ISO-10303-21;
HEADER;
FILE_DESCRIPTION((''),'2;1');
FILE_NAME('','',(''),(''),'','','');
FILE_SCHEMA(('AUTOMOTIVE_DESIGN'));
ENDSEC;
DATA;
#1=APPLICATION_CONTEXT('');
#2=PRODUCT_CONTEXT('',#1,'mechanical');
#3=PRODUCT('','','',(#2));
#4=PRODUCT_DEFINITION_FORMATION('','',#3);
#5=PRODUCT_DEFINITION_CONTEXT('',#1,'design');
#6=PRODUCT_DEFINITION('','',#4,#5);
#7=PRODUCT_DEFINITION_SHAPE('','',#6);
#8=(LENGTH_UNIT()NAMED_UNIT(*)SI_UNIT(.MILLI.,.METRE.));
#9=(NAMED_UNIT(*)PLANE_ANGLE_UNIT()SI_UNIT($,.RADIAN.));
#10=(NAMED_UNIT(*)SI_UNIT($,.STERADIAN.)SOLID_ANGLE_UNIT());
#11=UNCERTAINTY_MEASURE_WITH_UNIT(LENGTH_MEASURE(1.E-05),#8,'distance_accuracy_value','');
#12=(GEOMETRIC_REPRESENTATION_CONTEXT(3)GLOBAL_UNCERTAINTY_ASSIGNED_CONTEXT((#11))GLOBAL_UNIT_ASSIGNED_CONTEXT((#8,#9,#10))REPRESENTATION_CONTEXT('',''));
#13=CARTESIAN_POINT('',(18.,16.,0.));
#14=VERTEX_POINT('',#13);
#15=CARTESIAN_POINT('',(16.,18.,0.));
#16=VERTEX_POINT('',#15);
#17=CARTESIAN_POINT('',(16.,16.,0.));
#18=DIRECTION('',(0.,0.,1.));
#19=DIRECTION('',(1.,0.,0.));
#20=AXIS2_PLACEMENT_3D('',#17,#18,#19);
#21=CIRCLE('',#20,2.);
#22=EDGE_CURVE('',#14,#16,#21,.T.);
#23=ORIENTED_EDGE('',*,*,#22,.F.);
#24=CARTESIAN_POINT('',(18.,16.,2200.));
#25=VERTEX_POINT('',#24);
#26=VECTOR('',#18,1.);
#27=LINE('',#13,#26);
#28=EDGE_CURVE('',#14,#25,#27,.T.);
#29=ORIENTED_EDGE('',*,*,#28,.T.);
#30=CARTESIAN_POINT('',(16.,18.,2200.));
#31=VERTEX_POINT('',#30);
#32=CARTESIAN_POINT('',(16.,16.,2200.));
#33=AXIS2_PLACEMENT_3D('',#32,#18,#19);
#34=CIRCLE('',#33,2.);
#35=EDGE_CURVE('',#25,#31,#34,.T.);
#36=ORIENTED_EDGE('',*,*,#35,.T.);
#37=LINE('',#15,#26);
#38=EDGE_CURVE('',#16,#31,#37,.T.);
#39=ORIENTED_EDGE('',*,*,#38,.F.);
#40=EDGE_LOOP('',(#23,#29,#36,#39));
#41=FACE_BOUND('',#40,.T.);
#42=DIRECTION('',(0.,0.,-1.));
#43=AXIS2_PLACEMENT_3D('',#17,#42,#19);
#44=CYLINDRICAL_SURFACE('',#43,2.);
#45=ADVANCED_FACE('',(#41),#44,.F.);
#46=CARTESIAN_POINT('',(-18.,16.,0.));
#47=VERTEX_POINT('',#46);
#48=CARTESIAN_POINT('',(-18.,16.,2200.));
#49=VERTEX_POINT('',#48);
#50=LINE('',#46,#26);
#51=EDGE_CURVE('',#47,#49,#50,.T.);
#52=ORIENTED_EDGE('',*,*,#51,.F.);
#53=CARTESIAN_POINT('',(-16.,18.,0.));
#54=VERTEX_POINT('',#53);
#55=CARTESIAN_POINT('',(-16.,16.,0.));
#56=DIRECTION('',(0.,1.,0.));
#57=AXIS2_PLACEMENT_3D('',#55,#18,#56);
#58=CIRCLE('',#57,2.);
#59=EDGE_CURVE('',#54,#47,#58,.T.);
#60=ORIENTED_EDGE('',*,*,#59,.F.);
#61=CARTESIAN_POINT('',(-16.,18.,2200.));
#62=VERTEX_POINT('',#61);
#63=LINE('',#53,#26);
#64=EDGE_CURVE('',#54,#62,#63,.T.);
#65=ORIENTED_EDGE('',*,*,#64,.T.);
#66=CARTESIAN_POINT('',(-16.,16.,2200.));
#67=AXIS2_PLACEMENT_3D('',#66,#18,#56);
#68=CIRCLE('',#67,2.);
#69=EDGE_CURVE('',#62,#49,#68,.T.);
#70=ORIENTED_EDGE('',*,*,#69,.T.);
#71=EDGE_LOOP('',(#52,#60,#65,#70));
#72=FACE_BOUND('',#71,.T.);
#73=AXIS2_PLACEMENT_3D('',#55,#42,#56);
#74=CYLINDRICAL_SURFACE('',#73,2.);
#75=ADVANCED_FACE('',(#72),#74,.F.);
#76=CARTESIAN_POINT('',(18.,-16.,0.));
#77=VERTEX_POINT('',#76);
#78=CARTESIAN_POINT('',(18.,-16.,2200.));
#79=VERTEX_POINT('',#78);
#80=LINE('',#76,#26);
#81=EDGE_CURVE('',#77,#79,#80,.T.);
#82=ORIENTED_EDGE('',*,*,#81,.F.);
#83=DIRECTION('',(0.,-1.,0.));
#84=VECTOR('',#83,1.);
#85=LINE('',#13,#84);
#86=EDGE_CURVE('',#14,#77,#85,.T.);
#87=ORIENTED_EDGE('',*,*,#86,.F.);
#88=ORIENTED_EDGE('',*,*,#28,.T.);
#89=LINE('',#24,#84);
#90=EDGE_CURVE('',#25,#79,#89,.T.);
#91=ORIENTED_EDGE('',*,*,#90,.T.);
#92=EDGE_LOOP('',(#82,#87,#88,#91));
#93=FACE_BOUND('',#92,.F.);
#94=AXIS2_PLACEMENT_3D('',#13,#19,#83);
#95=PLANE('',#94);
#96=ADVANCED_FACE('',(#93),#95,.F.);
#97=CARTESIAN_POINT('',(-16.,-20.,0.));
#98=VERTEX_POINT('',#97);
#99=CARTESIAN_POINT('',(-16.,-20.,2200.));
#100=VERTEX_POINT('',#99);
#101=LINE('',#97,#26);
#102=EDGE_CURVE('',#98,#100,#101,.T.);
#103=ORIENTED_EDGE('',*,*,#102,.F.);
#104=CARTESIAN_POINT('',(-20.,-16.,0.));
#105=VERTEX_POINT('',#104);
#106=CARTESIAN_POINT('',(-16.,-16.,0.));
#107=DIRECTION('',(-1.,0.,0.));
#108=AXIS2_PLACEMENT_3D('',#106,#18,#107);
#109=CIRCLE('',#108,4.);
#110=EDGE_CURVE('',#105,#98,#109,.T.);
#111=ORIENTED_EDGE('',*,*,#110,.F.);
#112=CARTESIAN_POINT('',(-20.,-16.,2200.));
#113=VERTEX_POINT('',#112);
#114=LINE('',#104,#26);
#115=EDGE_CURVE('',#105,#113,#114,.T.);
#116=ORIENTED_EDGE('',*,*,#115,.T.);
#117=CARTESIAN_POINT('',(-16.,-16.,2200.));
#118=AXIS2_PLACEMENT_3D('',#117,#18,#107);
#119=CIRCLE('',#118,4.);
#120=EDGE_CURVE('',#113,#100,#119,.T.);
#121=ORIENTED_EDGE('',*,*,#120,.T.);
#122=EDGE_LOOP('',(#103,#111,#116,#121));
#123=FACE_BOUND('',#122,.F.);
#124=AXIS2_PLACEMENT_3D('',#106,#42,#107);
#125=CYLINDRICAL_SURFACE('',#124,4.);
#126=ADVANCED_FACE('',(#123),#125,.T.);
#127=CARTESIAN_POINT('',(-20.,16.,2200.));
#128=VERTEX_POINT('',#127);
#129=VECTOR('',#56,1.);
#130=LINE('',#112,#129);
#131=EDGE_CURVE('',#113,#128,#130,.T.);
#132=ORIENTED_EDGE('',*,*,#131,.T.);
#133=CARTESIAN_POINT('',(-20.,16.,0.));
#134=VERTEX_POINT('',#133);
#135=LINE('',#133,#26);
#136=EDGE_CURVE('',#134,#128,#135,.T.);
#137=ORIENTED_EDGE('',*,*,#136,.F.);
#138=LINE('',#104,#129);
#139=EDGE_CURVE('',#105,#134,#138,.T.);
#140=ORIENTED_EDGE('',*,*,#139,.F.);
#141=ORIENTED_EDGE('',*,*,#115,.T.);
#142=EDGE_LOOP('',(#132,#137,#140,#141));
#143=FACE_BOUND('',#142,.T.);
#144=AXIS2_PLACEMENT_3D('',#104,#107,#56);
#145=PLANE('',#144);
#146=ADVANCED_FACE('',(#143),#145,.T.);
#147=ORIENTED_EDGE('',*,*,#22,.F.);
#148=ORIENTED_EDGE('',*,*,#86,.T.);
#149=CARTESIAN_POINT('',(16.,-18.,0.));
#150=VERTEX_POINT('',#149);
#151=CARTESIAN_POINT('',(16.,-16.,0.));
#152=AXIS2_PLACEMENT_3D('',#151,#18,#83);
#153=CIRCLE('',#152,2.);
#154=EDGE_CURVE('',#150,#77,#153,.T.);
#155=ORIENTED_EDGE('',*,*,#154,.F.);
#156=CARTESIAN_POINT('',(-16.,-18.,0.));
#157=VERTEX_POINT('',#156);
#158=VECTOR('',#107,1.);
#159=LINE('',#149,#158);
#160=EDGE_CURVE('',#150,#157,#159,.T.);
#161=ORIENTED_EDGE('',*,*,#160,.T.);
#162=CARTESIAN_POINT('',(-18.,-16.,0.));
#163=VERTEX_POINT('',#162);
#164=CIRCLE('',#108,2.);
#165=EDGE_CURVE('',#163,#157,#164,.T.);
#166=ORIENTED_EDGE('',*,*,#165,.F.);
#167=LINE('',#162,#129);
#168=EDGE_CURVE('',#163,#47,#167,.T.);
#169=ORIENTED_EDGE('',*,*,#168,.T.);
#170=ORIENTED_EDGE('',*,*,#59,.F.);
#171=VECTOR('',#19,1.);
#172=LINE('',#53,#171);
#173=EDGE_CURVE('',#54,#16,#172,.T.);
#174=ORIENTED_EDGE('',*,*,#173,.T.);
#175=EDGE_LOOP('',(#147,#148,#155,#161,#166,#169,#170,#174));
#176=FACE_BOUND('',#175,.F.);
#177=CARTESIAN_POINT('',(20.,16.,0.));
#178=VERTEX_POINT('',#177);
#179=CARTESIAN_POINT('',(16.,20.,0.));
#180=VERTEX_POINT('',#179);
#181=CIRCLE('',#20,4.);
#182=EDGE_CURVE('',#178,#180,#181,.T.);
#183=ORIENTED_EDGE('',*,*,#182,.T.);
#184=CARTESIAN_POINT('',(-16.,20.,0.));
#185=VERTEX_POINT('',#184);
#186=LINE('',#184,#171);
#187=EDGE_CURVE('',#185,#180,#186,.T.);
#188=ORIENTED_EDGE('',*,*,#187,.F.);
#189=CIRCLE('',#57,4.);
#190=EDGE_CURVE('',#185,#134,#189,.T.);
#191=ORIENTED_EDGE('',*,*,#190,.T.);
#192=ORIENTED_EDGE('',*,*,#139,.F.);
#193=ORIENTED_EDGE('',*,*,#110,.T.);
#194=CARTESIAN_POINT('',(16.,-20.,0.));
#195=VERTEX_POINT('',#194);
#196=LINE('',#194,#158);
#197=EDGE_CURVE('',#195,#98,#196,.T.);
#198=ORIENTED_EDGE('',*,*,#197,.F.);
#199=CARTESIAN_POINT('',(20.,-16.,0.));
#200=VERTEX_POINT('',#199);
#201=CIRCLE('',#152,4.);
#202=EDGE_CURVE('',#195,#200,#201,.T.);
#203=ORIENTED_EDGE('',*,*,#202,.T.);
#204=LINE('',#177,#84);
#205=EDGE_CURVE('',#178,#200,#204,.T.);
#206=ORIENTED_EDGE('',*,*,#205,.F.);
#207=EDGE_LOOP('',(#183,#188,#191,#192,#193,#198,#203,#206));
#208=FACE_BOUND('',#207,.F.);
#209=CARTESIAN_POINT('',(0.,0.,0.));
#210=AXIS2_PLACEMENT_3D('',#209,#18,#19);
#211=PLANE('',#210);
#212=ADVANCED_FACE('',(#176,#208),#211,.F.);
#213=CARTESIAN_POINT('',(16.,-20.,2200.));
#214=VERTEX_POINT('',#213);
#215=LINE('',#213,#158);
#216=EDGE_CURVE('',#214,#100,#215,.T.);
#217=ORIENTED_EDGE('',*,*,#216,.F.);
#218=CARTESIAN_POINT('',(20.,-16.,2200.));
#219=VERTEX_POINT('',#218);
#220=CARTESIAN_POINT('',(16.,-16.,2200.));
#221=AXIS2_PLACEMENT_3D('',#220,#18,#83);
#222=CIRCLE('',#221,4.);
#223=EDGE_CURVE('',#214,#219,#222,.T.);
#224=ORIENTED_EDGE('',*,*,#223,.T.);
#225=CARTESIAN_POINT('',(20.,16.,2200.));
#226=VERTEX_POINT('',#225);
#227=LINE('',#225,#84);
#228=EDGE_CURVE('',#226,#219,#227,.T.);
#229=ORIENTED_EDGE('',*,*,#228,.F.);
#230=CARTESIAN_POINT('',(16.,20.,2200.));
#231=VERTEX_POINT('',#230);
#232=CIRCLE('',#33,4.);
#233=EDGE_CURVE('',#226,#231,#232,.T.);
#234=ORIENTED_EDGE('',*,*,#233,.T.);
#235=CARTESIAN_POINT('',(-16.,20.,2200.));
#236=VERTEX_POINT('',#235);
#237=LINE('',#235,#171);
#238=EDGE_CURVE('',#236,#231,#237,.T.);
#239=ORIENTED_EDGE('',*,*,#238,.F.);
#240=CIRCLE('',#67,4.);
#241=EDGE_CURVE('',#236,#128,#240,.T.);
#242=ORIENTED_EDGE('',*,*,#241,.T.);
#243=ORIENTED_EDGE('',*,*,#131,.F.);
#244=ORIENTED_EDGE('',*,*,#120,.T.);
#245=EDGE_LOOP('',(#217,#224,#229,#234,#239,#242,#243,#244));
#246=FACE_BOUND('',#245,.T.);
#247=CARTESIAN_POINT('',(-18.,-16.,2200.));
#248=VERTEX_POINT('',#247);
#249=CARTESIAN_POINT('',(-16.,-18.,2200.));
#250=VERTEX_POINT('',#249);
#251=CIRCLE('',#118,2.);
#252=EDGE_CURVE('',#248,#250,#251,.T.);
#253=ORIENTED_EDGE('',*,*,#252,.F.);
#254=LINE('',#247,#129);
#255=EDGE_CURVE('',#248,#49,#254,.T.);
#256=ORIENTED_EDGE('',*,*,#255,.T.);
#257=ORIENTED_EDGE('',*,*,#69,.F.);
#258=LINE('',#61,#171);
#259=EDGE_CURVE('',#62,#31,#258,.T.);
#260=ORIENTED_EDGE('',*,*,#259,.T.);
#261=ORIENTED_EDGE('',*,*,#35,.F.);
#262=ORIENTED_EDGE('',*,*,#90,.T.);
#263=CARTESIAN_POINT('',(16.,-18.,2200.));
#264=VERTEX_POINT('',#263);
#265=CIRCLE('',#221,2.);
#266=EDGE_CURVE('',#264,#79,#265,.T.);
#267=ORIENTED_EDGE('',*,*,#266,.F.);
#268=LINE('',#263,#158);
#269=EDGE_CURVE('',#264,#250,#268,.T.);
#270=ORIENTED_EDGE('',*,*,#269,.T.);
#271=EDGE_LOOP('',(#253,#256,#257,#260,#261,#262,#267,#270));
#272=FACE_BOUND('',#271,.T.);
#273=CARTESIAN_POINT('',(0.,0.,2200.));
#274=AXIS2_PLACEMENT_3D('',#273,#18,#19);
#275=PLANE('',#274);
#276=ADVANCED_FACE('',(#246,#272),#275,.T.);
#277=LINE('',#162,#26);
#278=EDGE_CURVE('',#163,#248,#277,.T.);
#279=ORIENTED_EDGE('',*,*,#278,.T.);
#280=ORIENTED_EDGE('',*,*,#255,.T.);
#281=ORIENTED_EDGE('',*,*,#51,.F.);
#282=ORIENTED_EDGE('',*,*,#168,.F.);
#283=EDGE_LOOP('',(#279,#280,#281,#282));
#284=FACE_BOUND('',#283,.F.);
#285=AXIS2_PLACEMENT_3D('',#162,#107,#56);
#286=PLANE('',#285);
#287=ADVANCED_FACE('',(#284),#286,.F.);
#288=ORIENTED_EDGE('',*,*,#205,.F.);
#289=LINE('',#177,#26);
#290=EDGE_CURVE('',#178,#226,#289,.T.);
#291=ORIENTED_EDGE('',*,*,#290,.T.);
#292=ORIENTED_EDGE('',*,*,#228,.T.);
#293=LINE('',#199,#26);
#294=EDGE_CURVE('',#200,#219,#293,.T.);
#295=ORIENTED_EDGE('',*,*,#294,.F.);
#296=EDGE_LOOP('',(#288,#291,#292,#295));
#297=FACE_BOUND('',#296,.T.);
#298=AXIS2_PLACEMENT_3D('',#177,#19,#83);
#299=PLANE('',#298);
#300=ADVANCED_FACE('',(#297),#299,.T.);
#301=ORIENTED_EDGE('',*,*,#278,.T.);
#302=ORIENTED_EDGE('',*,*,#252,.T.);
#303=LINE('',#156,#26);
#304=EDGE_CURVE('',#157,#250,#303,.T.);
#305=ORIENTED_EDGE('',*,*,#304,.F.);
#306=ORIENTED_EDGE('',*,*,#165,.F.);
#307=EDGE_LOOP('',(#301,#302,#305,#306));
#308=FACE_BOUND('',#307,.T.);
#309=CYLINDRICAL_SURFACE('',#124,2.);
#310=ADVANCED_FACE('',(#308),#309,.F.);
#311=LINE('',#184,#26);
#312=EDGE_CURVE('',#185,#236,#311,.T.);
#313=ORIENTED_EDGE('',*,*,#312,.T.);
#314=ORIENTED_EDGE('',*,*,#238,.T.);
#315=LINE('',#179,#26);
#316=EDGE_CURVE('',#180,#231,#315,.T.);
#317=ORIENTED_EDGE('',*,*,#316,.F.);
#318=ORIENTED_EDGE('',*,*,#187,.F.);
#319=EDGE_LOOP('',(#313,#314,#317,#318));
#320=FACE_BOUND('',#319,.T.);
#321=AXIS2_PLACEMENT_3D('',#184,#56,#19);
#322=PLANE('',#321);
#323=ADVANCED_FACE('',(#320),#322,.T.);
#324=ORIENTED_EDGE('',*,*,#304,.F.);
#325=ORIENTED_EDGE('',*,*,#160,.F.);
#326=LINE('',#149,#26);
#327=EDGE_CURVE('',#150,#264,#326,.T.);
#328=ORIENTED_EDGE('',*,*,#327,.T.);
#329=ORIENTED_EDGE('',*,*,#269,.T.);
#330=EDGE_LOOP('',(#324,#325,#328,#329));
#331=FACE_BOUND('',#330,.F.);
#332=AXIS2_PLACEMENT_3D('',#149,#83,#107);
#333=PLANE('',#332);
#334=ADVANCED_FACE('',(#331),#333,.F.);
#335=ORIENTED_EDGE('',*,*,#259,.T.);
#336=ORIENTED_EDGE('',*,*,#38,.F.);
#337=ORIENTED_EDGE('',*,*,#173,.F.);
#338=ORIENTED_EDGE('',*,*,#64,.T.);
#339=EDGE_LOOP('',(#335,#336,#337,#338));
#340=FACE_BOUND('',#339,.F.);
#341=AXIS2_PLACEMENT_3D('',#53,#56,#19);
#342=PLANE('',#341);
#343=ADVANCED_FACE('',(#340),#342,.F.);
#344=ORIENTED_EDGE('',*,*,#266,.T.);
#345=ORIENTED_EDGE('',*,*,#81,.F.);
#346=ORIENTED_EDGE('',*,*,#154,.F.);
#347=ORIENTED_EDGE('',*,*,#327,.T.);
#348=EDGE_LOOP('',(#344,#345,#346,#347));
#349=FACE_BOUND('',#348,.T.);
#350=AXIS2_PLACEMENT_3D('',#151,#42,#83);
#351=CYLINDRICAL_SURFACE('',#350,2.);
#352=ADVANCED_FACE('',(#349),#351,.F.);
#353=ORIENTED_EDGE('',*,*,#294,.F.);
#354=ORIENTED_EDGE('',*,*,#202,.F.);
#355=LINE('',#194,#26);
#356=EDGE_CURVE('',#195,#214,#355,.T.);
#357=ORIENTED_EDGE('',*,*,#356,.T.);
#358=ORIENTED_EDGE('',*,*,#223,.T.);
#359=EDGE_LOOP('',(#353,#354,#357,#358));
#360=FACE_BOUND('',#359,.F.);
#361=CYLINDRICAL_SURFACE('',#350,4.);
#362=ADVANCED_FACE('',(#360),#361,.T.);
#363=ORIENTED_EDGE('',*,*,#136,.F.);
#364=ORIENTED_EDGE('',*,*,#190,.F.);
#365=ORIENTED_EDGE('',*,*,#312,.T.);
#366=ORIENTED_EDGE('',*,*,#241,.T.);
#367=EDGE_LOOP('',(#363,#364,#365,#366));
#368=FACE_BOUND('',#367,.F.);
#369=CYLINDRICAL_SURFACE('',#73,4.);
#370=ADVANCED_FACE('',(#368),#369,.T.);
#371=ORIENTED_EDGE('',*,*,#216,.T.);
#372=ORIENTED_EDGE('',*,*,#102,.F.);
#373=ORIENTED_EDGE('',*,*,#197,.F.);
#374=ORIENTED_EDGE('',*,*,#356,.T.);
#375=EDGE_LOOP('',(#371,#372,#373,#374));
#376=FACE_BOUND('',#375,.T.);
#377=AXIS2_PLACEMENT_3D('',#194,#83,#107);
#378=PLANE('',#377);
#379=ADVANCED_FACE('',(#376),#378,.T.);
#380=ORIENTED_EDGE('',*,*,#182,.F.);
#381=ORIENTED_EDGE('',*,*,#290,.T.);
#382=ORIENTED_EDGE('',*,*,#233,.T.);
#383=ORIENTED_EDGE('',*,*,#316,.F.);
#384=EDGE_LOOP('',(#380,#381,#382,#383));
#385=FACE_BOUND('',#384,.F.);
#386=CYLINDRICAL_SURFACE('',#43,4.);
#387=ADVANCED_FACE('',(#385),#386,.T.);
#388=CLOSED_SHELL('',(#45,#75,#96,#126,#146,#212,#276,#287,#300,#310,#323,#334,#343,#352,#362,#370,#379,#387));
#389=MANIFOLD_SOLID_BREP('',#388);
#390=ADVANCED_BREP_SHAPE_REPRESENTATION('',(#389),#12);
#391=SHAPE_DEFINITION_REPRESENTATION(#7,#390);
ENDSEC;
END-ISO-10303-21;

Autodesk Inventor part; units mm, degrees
ref_plane "YZ Plane" through (0, 0, 0) normal (1, 0, 0) x (0, 1, 0)
ref_plane "Start plane" through (0, 0, 0) normal (0, 0, 1) x (1, 0, 0)
ref_plane "End plane" through (0, 0, 2200) normal (0, 0, 1) x (1, 0, 0)
sketch "Sketch" plane through (0, 0, 0) normal (0, 0, 1) x (1, 0, 0)
  line L0 (-20, -16) -> (-20, 16)
  line L1 (-16, 20) -> (16, 20)
  line L2 (20, 16) -> (20, -16)
  line L3 (16, -20) -> (-16, -20)
  arc A0 (-20, -16) -> (-16, -20) centre (-16, -16) ccw
  arc A1 (20, 16) -> (16, 20) centre (16, 16) ccw
  arc A2 (-16, 20) -> (-20, 16) centre (-16, 16) ccw
  arc A3 (16, -20) -> (20, -16) centre (16, -16) ccw
  arc A4 (-16, 18) -> (-18, 16) centre (-16, 16) ccw
  line L4 (-16, 18) -> (16, 18)
  arc A5 (18, 16) -> (16, 18) centre (16, 16) ccw
  line L5 (18, 16) -> (18, -16)
  arc A6 (16, -18) -> (18, -16) centre (16, -16) ccw
  line L6 (16, -18) -> (-16, -18)
  arc A7 (-18, -16) -> (-16, -18) centre (-16, -16) ccw
  line L7 (-18, -16) -> (-18, 16)
  line L8 (0, 37.1021) -> (0, -37.1021) construction
  line L9 (-23.1021, 0) -> (23.1021, 0) construction
  dimension "d7" = 4
  dimension "d9" = 40
  dimension "d11" = 40
  dimension "d12" = 2
  dimension "d15" = 20
  dimension "d16" = 20
extrude "Body" add sketch "Sketch" along normal up to surface (2200 mm away) from surface at 0
sketch "Sketch3" plane through (0, 0, 0) normal (0, 0, 1) x (1, 0, 0)
  line L0 (0, 0) -> (10, 0)
ref_plane "Work Plane3" through (0, 0, 0) normal (0, -1, 0) x (1, 0, 0)
sketch "Sketch4" plane through (0, 0, 0) normal (0, -1, 0) x (1, 0, 0)
  line L0 (-2, 0) -> (12, 0) projected
  line L1 (-2, 2200) -> (12, 2200) projected
  dimension "d18" = 2200
equation "\"d7\" = G_IR"
equation "\"d9\" = G_W"
equation "\"d11\" = G_H"
equation "\"d12\" = G_T"
equation "\"d15\" = 0.5 * d9"
equation "\"d16\" = 0.5 * d11"
equation "\"d3\" = G_L"
equation "\"G_W\" = 40"
equation "\"G_H\" = 40"
equation "\"G_T\" = 2"
equation "\"G_IR\" = 4"
equation "\"G_L\" = d18"
equation "\"G_OFFSET_START\" = 0"
equation "\"G_OFFSET_END\" = 0"
properties part number "ISO 10799-2 - 40x40x2 - 2200" material "Steel, Mild"
